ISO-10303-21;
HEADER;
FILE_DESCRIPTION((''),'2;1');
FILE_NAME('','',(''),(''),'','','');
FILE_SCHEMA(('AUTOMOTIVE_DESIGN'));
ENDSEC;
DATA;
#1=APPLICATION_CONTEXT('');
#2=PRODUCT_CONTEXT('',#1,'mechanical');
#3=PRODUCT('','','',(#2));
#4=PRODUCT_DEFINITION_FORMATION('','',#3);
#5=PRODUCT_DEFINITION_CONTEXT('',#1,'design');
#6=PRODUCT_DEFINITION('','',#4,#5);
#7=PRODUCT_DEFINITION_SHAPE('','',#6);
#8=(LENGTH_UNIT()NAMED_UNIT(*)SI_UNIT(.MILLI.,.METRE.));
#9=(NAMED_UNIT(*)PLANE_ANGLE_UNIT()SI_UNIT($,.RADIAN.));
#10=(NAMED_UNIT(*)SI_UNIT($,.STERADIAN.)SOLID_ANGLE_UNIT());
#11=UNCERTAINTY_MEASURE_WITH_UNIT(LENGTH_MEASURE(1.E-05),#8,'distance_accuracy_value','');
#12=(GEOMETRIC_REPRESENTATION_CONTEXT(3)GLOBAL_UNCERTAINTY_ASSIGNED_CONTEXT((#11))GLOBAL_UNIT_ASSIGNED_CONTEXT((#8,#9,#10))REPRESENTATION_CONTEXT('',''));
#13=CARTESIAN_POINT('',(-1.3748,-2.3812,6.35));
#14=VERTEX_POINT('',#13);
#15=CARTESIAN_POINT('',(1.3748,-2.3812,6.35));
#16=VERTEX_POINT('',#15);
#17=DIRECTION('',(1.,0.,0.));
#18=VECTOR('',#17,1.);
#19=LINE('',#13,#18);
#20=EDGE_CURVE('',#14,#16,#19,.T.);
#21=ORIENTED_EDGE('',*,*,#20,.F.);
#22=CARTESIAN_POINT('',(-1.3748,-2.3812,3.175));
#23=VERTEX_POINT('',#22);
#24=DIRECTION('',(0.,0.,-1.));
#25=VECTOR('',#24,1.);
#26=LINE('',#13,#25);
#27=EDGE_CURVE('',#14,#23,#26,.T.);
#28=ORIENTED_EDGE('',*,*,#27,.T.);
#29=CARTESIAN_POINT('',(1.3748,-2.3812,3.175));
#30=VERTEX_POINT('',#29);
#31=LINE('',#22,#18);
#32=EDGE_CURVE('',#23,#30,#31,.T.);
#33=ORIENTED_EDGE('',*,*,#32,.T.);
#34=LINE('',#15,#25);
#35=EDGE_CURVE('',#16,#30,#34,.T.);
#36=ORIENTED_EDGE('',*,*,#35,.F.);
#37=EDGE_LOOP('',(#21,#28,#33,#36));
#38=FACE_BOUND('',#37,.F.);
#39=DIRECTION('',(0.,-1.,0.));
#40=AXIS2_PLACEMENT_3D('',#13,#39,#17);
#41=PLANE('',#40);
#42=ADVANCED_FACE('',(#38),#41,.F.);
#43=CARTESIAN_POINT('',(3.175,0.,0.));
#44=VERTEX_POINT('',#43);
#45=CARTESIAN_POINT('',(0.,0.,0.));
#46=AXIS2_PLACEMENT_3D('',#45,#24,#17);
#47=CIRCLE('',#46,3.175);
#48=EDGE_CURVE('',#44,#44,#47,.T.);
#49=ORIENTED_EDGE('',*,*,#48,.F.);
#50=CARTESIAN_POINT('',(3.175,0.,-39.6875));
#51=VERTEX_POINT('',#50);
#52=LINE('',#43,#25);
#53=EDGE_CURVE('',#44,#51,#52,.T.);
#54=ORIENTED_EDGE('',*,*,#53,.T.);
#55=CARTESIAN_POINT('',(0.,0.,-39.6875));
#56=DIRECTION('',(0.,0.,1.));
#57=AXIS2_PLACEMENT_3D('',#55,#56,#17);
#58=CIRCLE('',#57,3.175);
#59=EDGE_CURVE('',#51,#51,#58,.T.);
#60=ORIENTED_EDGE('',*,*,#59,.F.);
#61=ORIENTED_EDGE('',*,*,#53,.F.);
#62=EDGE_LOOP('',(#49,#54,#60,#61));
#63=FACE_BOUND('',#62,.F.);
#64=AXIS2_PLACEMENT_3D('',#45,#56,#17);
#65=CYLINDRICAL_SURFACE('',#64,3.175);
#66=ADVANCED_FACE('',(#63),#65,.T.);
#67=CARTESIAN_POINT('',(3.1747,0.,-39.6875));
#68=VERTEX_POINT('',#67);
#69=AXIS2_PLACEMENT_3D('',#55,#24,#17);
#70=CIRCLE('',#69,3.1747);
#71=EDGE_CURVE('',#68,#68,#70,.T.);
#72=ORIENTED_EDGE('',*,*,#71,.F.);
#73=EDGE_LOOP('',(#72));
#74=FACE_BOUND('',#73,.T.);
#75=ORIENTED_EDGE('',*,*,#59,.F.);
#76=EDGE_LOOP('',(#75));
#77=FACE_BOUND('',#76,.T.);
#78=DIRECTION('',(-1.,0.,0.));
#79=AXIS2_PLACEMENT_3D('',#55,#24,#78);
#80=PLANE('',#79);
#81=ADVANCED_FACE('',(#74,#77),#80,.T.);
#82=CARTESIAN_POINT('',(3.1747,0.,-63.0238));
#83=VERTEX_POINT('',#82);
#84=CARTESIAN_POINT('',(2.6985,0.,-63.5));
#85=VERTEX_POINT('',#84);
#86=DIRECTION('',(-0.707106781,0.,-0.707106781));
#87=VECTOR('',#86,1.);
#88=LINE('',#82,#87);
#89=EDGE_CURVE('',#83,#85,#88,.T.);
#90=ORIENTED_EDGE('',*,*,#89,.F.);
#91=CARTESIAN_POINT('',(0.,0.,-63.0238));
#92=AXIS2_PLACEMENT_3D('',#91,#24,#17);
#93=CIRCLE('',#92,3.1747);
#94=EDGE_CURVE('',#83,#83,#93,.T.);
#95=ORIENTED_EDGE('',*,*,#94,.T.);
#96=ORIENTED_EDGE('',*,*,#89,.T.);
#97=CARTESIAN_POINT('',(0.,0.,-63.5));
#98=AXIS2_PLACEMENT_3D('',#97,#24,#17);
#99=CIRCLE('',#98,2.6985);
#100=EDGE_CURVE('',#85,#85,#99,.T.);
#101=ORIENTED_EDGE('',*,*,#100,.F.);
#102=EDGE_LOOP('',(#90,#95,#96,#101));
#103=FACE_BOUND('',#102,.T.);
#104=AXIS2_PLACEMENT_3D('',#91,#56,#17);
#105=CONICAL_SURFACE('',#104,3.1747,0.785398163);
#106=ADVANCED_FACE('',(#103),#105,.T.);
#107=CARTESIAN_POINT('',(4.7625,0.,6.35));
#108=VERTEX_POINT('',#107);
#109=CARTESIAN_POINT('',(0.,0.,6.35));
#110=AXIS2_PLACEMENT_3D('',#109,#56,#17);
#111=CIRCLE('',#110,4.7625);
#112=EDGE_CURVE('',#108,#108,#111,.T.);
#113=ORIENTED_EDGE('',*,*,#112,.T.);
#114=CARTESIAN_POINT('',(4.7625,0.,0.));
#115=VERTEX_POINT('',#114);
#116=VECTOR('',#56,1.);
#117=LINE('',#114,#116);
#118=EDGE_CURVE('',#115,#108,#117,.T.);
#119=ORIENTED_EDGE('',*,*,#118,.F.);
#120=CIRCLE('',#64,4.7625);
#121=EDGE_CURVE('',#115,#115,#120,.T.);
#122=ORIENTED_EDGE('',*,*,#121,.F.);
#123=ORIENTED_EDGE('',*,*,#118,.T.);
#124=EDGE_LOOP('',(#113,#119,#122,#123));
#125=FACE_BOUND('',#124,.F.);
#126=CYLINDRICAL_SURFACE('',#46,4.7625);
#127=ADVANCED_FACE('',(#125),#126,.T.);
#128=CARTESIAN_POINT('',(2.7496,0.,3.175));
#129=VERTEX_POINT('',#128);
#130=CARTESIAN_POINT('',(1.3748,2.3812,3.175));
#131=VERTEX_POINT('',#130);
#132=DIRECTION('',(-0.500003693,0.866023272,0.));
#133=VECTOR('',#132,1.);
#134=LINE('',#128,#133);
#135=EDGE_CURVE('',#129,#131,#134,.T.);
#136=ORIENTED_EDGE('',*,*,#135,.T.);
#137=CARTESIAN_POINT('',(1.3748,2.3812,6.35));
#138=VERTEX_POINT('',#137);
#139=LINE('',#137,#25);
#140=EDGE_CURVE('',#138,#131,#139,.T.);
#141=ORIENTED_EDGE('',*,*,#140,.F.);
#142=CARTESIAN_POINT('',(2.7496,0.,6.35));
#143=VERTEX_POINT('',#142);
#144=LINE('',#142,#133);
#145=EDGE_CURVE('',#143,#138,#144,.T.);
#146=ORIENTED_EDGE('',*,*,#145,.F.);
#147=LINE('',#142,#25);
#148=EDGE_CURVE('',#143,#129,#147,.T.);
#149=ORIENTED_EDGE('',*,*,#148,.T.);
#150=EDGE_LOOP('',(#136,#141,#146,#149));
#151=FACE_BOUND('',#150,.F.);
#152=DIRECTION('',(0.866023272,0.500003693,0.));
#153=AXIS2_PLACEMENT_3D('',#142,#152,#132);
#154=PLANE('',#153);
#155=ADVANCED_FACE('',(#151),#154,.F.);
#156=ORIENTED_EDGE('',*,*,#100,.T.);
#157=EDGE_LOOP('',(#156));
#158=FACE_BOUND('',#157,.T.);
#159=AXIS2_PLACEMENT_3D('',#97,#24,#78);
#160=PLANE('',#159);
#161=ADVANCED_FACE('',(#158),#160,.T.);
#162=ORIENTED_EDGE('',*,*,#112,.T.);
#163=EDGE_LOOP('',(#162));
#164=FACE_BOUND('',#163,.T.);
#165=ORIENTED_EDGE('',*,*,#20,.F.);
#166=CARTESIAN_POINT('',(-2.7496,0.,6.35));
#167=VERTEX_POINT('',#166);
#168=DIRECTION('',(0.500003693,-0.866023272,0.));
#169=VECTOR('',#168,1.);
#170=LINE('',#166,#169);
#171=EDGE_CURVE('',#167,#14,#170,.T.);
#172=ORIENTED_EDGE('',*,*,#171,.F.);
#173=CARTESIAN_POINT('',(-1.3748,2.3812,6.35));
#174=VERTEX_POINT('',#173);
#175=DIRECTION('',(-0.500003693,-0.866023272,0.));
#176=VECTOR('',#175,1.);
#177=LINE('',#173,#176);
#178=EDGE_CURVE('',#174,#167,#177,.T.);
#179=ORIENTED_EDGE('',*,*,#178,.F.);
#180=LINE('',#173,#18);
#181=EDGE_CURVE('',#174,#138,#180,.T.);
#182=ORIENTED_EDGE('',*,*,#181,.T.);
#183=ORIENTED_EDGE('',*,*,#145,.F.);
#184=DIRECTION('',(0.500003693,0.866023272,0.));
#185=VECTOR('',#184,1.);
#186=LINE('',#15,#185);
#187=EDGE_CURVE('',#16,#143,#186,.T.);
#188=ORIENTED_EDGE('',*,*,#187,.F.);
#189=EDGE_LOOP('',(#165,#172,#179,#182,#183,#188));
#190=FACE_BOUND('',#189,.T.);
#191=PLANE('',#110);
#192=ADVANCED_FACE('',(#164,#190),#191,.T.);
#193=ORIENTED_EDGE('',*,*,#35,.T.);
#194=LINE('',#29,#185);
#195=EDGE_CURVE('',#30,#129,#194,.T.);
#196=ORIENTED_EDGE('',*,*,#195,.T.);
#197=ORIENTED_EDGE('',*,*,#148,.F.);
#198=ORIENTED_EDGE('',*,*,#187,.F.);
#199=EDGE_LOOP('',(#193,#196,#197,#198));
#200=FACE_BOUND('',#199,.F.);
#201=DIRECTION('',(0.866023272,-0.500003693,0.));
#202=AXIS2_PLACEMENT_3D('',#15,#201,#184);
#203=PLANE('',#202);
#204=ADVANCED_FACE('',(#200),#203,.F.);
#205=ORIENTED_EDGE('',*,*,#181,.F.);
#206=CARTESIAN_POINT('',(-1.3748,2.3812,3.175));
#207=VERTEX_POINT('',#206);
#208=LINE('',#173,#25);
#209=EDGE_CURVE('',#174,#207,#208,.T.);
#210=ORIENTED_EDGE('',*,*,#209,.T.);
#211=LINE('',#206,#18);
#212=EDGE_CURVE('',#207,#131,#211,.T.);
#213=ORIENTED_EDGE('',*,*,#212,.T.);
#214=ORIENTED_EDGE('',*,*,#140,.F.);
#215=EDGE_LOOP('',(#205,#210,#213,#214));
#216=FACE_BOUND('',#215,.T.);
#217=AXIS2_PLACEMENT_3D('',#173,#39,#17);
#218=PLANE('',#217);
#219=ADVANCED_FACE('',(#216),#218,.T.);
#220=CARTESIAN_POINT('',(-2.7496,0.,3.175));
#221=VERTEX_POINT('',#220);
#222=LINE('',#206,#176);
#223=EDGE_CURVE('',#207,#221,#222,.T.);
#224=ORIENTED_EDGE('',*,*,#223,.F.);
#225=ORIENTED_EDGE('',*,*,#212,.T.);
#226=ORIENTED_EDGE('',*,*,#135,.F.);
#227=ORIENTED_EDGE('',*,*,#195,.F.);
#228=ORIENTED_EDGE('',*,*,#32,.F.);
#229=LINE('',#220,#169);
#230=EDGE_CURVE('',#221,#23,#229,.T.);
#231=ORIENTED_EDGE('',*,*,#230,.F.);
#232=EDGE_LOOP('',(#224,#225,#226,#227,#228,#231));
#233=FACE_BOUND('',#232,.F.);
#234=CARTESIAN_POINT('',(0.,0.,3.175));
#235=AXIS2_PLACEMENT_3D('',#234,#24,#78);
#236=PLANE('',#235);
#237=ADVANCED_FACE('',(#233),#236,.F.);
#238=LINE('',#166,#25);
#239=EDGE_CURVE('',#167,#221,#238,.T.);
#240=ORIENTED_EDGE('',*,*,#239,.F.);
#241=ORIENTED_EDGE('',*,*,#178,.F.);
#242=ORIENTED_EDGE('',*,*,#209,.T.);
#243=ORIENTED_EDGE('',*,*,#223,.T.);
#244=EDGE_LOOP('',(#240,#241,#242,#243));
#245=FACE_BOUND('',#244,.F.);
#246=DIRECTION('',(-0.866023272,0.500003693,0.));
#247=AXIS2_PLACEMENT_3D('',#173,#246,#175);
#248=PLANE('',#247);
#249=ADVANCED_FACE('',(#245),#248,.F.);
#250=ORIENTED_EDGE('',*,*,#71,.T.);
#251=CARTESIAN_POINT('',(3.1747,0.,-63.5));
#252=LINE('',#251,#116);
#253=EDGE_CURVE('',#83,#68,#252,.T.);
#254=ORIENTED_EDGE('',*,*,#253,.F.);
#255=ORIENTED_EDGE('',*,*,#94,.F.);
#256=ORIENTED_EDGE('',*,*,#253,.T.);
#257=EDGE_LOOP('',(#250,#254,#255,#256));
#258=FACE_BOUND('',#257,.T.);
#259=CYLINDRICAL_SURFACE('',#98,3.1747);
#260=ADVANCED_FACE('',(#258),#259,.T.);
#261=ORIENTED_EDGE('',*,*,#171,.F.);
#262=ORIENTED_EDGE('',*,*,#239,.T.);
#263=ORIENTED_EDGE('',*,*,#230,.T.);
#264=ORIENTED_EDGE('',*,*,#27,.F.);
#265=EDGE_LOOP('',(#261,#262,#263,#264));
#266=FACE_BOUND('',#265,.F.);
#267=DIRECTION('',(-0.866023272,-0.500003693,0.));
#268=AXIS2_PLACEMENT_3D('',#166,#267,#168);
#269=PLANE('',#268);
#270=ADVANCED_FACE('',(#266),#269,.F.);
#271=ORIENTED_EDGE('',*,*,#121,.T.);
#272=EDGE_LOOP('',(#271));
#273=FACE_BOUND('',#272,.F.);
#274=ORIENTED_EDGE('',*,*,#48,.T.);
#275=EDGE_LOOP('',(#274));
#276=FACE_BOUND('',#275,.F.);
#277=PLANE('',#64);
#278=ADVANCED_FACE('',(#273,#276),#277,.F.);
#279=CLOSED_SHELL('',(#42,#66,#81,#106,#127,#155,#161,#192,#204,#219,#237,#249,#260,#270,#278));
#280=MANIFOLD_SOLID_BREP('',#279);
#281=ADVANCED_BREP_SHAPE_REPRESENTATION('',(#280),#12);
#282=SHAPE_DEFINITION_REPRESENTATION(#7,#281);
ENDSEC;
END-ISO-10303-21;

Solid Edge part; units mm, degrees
sketch "Sketch1" plane through (0, 0, 0) normal (0, 0, 1) x (1, 0, 0)
  circle A0 centre (0, 0) radius 4.7625
  dimension "D1" = 9.525
extrude "Protrusion1" add sketch "Sketch1" along normal blind 6.35
sketch "Sketch2" plane through (0, 0, 0) normal (0, 0, -1) x (1, 0, 0)
  circle A0 centre (0, 0) radius 3.175
extrude "Protrusion2" add sketch "Sketch2" along normal blind 63.5
sketch "Sketch3" plane through (0, 0, -63.5) normal (0, 0, -1) x (1, 0, 0)
  circle A0 centre (0, 0) radius 3.1747
extrude "Cutout1" cut sketch "Sketch3" against normal blind 23.8125 flip side to cut
chamfer "Chamfer_1" distance 0.4762 angle 45 1 edges at (-3.1747, 0, -63.5)
sketch "Sketch4" plane through (0, 0, 6.35) normal (0, 0, 1) x (1, 0, 0)
  line L0 (-1.3748, 2.3812) -> (1.3748, 2.3812)
  line L1 (2.7496, 0) -> (1.3748, 2.3812)
  line L2 (1.3748, -2.3812) -> (2.7496, 0)
  line L3 (-1.3748, -2.3812) -> (1.3748, -2.3812)
  line L4 (-2.7496, 0) -> (-1.3748, -2.3812)
  line L5 (-1.3748, 2.3812) -> (-2.7496, 0)
  dimension "D1" = 4.7625
extrude "Cutout2" cut sketch "Sketch4" against normal blind 3.175
properties part number "117660"
